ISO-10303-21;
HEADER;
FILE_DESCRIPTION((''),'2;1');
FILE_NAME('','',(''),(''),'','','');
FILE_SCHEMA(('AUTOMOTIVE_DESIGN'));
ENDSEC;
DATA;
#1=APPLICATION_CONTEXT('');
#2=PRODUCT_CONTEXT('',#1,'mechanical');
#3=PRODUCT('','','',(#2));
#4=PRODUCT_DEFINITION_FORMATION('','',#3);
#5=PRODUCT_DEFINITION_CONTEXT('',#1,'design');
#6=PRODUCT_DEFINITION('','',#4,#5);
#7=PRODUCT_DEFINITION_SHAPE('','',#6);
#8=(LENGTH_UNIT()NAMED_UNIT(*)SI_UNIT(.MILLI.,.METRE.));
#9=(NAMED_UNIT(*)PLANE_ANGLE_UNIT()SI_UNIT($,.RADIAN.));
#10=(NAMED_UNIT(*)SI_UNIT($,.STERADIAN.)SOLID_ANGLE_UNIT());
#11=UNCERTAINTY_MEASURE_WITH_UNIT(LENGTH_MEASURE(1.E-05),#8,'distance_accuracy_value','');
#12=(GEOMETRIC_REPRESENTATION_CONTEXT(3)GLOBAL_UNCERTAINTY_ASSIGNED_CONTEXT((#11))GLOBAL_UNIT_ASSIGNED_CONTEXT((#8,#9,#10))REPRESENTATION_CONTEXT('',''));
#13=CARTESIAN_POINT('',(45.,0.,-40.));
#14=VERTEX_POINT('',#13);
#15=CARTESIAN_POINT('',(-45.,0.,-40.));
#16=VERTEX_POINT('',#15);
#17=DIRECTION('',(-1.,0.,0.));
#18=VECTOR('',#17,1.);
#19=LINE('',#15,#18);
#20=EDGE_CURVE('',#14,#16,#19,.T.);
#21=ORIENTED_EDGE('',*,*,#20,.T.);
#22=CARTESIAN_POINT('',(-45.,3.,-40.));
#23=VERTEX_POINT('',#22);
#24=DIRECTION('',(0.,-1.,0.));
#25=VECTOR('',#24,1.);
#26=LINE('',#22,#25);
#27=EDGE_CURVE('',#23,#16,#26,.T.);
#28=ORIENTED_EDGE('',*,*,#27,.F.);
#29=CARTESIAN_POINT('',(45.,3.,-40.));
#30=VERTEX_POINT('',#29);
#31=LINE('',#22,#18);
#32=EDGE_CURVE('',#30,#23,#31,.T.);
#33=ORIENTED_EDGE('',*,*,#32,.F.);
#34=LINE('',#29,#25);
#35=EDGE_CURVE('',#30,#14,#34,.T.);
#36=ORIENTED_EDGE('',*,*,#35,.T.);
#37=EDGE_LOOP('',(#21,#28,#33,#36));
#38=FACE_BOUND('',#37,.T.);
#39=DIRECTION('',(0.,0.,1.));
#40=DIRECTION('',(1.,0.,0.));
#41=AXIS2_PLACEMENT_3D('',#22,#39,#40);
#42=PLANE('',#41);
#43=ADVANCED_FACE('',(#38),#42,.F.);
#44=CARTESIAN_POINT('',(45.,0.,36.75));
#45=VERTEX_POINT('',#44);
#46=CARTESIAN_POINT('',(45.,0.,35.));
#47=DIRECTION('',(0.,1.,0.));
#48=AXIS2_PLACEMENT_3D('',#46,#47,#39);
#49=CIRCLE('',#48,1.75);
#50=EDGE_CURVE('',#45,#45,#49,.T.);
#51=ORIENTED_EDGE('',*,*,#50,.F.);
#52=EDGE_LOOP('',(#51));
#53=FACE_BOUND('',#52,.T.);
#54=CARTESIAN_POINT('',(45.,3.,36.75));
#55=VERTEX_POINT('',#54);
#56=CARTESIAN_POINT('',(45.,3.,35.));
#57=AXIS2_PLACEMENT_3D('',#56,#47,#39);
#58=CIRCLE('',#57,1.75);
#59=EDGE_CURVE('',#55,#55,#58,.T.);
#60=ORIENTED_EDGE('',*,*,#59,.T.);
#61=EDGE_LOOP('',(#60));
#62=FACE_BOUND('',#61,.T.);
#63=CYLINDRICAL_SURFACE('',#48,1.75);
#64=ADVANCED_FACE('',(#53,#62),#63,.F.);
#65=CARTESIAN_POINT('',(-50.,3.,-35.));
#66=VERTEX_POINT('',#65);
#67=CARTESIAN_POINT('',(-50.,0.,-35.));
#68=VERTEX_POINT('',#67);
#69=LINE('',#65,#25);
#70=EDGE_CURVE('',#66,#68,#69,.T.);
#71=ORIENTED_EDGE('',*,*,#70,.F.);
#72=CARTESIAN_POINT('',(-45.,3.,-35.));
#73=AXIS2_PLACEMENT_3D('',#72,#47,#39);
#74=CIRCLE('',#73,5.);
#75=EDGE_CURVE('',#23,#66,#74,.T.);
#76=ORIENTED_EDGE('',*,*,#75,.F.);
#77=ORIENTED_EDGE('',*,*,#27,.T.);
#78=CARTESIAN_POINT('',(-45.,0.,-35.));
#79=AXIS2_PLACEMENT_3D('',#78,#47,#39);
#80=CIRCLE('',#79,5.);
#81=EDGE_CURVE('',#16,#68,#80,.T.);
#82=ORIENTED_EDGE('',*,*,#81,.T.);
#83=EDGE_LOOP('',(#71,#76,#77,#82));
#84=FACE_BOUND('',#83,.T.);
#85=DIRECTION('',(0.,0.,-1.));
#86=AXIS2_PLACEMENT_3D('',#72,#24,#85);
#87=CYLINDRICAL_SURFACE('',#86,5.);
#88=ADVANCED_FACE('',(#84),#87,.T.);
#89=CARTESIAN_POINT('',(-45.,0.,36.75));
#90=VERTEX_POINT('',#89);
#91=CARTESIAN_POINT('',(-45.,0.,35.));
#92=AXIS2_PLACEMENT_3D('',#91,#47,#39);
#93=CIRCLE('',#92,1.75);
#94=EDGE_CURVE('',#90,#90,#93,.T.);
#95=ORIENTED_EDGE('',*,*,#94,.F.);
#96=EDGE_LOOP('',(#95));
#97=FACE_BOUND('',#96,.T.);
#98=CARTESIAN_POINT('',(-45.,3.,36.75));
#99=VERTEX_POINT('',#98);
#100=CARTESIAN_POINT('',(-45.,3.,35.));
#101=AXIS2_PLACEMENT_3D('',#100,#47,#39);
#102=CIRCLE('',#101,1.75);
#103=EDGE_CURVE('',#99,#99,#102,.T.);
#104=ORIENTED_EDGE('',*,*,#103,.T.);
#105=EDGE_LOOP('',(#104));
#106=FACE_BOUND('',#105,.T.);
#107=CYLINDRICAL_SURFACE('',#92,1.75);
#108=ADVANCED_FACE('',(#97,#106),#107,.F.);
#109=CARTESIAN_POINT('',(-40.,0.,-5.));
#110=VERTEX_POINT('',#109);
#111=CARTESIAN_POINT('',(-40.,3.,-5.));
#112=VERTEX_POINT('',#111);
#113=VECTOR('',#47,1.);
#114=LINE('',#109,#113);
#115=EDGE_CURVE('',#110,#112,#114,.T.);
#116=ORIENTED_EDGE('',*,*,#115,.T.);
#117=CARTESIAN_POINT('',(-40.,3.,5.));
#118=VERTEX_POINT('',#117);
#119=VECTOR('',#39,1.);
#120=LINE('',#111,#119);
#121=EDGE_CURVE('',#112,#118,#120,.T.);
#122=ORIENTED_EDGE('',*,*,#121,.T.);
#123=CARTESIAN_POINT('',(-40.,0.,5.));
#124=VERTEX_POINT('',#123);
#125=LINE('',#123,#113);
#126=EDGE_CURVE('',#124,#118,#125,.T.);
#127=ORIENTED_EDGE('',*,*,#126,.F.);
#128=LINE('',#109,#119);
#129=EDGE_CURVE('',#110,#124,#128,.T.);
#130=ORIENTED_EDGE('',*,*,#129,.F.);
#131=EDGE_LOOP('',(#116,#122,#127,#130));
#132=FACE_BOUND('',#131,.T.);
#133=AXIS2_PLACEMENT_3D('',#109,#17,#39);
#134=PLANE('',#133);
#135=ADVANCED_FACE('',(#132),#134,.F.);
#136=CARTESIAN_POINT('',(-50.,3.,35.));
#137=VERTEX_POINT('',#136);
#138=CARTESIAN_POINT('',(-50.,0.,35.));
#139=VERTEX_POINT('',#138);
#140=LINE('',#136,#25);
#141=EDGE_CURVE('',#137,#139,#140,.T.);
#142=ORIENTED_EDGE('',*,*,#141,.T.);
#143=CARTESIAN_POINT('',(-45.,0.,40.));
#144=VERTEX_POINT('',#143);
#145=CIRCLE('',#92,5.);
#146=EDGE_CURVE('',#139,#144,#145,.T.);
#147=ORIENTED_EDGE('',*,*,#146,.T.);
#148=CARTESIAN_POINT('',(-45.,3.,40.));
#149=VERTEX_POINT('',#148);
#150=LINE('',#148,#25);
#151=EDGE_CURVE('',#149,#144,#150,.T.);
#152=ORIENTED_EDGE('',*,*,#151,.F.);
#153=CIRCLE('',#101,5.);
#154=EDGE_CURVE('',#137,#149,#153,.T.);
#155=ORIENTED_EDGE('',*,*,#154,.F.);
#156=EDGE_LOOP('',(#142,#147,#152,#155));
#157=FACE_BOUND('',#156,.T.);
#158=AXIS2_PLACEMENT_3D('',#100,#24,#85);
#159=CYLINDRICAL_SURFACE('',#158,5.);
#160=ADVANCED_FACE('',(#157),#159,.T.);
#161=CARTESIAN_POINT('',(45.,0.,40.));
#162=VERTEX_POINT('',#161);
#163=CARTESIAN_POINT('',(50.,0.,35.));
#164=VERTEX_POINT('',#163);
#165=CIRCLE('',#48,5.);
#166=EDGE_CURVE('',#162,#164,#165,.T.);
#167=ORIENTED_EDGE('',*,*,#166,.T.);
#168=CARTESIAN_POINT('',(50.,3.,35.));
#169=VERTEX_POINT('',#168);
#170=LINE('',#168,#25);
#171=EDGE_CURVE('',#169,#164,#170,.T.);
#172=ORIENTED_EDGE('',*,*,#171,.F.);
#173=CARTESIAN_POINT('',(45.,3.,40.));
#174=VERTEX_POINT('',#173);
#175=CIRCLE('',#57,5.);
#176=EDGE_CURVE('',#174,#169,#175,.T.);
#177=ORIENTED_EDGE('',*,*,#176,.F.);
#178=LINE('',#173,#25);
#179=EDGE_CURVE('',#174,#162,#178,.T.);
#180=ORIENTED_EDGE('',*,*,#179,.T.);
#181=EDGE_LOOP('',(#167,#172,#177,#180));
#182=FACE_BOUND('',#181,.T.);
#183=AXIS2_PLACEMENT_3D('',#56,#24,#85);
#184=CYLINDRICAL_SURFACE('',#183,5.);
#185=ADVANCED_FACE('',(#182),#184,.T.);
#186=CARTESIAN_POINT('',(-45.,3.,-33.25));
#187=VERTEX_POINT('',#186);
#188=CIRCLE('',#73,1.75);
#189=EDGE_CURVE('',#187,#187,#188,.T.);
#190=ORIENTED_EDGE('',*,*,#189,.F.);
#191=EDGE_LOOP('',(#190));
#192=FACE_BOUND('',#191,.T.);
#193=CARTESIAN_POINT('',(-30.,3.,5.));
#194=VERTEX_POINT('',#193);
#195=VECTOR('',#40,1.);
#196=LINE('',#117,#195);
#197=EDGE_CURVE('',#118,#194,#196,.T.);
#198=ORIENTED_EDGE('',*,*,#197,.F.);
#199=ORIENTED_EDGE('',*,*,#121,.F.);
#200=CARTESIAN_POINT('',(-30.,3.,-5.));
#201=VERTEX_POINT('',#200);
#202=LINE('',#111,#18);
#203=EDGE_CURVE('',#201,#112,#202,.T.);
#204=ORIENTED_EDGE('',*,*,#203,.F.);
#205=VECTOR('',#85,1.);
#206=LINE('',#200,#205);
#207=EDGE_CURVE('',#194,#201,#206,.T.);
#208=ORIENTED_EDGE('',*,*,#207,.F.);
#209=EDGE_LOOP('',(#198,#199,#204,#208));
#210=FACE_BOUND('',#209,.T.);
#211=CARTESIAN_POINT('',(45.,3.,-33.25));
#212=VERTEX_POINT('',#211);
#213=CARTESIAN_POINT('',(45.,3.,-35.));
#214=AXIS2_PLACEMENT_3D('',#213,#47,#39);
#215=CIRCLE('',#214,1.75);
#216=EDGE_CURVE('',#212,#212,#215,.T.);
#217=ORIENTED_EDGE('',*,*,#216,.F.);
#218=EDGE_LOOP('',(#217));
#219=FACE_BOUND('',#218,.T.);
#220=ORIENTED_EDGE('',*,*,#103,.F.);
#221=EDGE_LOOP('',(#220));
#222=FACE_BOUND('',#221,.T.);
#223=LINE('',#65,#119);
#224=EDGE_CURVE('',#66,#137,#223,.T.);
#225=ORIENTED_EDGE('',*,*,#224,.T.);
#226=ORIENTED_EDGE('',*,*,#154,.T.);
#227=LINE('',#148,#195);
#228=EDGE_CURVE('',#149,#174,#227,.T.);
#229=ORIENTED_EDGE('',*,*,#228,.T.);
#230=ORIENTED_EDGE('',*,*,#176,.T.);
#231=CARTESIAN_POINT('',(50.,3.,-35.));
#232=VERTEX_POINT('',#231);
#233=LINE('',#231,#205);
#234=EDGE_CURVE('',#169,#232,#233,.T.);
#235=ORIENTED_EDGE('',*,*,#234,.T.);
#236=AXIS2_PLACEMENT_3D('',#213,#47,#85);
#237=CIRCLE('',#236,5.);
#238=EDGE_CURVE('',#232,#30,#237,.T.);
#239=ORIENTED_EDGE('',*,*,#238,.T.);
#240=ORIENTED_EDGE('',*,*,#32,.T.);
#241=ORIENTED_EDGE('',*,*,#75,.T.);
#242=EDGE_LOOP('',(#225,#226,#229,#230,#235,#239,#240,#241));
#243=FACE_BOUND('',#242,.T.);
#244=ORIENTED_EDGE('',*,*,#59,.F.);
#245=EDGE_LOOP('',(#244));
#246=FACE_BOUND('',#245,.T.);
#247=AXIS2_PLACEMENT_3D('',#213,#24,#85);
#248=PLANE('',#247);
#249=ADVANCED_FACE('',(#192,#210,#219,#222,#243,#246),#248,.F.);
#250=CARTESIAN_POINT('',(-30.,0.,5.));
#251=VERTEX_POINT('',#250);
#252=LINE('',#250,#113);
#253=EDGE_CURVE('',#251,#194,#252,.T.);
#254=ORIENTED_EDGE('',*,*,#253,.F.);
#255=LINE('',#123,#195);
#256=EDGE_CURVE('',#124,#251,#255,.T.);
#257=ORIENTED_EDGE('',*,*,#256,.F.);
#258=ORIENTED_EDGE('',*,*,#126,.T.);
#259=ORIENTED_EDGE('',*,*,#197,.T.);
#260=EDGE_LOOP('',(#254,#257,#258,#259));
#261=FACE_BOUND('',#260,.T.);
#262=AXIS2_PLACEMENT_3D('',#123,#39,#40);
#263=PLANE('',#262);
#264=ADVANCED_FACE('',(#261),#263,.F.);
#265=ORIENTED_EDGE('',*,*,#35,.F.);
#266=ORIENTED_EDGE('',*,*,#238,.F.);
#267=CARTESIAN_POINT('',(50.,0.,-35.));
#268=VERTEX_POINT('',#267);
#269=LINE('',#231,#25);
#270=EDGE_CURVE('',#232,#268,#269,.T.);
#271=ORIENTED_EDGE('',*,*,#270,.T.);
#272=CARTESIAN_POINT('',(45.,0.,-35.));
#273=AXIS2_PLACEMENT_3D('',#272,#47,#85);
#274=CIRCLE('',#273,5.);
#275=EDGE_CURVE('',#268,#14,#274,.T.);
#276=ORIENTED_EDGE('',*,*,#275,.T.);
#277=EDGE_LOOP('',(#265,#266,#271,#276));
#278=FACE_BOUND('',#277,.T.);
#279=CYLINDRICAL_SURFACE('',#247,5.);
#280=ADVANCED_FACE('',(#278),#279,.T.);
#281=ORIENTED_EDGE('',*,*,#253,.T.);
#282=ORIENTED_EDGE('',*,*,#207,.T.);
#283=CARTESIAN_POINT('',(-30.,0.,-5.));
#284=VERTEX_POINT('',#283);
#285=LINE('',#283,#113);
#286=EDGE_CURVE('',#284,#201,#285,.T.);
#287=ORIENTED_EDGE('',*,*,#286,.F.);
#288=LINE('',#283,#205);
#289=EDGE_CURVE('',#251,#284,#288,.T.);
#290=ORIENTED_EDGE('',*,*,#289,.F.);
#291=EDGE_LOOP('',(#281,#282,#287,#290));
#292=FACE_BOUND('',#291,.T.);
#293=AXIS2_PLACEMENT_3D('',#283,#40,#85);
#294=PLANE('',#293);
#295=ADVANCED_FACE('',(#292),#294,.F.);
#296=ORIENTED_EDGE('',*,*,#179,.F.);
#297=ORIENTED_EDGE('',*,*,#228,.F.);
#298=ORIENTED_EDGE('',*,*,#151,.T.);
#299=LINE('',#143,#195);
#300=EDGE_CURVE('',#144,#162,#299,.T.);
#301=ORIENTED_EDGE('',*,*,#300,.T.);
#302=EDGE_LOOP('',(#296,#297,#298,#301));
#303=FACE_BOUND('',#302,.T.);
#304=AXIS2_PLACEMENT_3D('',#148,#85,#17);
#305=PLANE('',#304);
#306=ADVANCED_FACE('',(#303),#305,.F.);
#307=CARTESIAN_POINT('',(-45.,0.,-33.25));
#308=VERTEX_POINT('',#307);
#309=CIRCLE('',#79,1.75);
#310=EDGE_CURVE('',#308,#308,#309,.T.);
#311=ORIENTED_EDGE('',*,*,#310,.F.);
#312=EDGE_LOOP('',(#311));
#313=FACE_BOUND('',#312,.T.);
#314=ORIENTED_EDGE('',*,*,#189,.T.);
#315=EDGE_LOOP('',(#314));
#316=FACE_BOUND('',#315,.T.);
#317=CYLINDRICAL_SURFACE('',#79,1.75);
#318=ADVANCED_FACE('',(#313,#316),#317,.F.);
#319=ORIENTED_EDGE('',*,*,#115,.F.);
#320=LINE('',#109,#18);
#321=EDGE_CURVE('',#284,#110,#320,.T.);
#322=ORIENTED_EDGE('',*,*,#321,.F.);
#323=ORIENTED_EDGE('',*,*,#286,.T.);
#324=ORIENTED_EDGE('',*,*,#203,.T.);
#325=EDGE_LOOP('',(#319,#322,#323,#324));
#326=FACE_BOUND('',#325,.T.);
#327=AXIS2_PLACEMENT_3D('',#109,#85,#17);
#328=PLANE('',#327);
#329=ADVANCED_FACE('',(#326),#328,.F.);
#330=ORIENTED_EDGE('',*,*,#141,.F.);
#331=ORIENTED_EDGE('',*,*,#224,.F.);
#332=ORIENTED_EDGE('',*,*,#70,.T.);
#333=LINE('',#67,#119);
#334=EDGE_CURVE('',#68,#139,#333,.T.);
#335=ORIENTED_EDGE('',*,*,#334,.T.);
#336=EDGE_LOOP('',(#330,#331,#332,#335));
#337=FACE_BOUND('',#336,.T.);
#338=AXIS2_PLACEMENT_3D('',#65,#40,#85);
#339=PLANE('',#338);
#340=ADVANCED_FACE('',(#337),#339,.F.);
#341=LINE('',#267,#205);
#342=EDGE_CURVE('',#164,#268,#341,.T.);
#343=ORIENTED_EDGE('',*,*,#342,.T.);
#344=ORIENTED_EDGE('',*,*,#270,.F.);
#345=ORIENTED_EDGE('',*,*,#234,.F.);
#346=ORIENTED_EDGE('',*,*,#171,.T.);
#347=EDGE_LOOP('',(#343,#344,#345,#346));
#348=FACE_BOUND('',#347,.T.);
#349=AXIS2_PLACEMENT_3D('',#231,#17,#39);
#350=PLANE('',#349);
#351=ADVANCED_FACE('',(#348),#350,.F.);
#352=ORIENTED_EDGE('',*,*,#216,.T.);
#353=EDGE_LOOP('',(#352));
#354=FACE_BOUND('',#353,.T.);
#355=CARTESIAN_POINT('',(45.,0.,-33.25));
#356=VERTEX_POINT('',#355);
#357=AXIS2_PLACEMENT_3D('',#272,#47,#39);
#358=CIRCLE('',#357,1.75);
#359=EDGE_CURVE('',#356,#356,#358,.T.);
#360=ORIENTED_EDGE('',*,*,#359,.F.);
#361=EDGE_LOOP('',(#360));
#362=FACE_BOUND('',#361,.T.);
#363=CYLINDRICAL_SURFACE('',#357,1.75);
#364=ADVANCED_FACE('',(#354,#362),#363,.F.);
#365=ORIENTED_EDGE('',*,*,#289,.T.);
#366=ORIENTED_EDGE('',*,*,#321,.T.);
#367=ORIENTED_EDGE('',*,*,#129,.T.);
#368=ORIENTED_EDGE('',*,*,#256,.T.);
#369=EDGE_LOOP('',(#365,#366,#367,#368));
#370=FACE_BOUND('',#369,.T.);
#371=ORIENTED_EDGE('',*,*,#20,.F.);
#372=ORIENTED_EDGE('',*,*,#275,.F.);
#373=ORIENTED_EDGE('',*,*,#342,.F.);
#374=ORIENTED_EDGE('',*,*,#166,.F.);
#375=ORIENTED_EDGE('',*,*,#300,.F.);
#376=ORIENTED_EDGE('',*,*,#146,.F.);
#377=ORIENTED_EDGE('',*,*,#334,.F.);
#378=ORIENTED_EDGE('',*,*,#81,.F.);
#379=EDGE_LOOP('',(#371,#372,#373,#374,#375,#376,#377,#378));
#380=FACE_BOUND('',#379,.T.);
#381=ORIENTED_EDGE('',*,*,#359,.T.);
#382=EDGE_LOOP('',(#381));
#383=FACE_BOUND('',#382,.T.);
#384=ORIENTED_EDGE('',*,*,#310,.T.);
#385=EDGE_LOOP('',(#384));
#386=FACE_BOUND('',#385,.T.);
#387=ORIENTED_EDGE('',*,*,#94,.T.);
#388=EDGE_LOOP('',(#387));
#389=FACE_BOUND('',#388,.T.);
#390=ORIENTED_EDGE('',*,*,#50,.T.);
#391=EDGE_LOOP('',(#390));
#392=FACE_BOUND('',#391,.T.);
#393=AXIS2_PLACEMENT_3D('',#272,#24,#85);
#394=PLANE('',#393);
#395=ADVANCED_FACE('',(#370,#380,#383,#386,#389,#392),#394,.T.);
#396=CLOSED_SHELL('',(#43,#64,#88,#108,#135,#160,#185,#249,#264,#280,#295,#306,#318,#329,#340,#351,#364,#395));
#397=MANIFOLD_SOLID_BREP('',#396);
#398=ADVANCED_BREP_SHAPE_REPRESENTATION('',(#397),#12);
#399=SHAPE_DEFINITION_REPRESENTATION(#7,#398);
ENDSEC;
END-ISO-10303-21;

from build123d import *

# Parameters (mm, degrees)
BOSS_EXTRUDE1_DEPTH  = 3
SKETCH3_R            = 1.75
CUT_EXTRUDE2_DEPTH   = 4
LPATTERN1_COUNT      = 2
LPATTERN1_PITCH      = 70
LPATTERN1_COUNT_DIR2 = 2
LPATTERN1_PITCH_DIR2 = 90
SKETCH5_W            = 10
SKETCH5_H            = 10
CUT_EXTRUDE4_DEPTH   = 4


with BuildPart() as part:
    # Sketch1 → Boss-Extrude1 (new body)
    with BuildSketch(Plane(origin=(0, 0, 0), x_dir=(1, 0, 0), z_dir=(0, 1, 0))):
        with BuildLine():
            Line((-45, 40), (45, 40))
            ThreePointArc((45, 40), (48.535533906, 38.535533906), (50, 35))
            Line((50, 35), (50, -35))
            ThreePointArc((50, -35), (48.535533906, -38.535533906), (45, -40))
            Line((45, -40), (-45, -40))
            ThreePointArc((-45, -40), (-48.535533906, -38.535533906), (-50, -35))
            Line((-50, -35), (-50, 35))
            ThreePointArc((-50, 35), (-48.535533906, 38.535533906), (-45, 40))
        make_face()
    extrude(amount=BOSS_EXTRUDE1_DEPTH)

    # Sketch3 → Cut-Extrude2 (cut, through all)
    with BuildSketch(Plane(origin=(0, 3, 0), x_dir=(1, 0, 0), z_dir=(0, 1, 0))):
        with Locations((-45, -35)):
            Circle(SKETCH3_R)
    cut_extrude2 = extrude(amount=-CUT_EXTRUDE2_DEPTH, mode=Mode.SUBTRACT)

    # LPattern1: Cut-Extrude2 2 × 2
    with Locations(*[(j * LPATTERN1_PITCH_DIR2, 0, -i * LPATTERN1_PITCH) for i in range(LPATTERN1_COUNT) for j in range(LPATTERN1_COUNT_DIR2) if (i, j) != (0, 0)]):
        add(cut_extrude2, mode=Mode.SUBTRACT)

    # Sketch5 → Cut-Extrude4 (cut, through all)
    with BuildSketch(Plane(origin=(0, 3, 0), x_dir=(1, 0, 0), z_dir=(0, 1, 0))):
        with Locations((-35, 0)):
            Rectangle(SKETCH5_W, SKETCH5_H)
    extrude(amount=-CUT_EXTRUDE4_DEPTH, mode=Mode.SUBTRACT)


solid = part.part
